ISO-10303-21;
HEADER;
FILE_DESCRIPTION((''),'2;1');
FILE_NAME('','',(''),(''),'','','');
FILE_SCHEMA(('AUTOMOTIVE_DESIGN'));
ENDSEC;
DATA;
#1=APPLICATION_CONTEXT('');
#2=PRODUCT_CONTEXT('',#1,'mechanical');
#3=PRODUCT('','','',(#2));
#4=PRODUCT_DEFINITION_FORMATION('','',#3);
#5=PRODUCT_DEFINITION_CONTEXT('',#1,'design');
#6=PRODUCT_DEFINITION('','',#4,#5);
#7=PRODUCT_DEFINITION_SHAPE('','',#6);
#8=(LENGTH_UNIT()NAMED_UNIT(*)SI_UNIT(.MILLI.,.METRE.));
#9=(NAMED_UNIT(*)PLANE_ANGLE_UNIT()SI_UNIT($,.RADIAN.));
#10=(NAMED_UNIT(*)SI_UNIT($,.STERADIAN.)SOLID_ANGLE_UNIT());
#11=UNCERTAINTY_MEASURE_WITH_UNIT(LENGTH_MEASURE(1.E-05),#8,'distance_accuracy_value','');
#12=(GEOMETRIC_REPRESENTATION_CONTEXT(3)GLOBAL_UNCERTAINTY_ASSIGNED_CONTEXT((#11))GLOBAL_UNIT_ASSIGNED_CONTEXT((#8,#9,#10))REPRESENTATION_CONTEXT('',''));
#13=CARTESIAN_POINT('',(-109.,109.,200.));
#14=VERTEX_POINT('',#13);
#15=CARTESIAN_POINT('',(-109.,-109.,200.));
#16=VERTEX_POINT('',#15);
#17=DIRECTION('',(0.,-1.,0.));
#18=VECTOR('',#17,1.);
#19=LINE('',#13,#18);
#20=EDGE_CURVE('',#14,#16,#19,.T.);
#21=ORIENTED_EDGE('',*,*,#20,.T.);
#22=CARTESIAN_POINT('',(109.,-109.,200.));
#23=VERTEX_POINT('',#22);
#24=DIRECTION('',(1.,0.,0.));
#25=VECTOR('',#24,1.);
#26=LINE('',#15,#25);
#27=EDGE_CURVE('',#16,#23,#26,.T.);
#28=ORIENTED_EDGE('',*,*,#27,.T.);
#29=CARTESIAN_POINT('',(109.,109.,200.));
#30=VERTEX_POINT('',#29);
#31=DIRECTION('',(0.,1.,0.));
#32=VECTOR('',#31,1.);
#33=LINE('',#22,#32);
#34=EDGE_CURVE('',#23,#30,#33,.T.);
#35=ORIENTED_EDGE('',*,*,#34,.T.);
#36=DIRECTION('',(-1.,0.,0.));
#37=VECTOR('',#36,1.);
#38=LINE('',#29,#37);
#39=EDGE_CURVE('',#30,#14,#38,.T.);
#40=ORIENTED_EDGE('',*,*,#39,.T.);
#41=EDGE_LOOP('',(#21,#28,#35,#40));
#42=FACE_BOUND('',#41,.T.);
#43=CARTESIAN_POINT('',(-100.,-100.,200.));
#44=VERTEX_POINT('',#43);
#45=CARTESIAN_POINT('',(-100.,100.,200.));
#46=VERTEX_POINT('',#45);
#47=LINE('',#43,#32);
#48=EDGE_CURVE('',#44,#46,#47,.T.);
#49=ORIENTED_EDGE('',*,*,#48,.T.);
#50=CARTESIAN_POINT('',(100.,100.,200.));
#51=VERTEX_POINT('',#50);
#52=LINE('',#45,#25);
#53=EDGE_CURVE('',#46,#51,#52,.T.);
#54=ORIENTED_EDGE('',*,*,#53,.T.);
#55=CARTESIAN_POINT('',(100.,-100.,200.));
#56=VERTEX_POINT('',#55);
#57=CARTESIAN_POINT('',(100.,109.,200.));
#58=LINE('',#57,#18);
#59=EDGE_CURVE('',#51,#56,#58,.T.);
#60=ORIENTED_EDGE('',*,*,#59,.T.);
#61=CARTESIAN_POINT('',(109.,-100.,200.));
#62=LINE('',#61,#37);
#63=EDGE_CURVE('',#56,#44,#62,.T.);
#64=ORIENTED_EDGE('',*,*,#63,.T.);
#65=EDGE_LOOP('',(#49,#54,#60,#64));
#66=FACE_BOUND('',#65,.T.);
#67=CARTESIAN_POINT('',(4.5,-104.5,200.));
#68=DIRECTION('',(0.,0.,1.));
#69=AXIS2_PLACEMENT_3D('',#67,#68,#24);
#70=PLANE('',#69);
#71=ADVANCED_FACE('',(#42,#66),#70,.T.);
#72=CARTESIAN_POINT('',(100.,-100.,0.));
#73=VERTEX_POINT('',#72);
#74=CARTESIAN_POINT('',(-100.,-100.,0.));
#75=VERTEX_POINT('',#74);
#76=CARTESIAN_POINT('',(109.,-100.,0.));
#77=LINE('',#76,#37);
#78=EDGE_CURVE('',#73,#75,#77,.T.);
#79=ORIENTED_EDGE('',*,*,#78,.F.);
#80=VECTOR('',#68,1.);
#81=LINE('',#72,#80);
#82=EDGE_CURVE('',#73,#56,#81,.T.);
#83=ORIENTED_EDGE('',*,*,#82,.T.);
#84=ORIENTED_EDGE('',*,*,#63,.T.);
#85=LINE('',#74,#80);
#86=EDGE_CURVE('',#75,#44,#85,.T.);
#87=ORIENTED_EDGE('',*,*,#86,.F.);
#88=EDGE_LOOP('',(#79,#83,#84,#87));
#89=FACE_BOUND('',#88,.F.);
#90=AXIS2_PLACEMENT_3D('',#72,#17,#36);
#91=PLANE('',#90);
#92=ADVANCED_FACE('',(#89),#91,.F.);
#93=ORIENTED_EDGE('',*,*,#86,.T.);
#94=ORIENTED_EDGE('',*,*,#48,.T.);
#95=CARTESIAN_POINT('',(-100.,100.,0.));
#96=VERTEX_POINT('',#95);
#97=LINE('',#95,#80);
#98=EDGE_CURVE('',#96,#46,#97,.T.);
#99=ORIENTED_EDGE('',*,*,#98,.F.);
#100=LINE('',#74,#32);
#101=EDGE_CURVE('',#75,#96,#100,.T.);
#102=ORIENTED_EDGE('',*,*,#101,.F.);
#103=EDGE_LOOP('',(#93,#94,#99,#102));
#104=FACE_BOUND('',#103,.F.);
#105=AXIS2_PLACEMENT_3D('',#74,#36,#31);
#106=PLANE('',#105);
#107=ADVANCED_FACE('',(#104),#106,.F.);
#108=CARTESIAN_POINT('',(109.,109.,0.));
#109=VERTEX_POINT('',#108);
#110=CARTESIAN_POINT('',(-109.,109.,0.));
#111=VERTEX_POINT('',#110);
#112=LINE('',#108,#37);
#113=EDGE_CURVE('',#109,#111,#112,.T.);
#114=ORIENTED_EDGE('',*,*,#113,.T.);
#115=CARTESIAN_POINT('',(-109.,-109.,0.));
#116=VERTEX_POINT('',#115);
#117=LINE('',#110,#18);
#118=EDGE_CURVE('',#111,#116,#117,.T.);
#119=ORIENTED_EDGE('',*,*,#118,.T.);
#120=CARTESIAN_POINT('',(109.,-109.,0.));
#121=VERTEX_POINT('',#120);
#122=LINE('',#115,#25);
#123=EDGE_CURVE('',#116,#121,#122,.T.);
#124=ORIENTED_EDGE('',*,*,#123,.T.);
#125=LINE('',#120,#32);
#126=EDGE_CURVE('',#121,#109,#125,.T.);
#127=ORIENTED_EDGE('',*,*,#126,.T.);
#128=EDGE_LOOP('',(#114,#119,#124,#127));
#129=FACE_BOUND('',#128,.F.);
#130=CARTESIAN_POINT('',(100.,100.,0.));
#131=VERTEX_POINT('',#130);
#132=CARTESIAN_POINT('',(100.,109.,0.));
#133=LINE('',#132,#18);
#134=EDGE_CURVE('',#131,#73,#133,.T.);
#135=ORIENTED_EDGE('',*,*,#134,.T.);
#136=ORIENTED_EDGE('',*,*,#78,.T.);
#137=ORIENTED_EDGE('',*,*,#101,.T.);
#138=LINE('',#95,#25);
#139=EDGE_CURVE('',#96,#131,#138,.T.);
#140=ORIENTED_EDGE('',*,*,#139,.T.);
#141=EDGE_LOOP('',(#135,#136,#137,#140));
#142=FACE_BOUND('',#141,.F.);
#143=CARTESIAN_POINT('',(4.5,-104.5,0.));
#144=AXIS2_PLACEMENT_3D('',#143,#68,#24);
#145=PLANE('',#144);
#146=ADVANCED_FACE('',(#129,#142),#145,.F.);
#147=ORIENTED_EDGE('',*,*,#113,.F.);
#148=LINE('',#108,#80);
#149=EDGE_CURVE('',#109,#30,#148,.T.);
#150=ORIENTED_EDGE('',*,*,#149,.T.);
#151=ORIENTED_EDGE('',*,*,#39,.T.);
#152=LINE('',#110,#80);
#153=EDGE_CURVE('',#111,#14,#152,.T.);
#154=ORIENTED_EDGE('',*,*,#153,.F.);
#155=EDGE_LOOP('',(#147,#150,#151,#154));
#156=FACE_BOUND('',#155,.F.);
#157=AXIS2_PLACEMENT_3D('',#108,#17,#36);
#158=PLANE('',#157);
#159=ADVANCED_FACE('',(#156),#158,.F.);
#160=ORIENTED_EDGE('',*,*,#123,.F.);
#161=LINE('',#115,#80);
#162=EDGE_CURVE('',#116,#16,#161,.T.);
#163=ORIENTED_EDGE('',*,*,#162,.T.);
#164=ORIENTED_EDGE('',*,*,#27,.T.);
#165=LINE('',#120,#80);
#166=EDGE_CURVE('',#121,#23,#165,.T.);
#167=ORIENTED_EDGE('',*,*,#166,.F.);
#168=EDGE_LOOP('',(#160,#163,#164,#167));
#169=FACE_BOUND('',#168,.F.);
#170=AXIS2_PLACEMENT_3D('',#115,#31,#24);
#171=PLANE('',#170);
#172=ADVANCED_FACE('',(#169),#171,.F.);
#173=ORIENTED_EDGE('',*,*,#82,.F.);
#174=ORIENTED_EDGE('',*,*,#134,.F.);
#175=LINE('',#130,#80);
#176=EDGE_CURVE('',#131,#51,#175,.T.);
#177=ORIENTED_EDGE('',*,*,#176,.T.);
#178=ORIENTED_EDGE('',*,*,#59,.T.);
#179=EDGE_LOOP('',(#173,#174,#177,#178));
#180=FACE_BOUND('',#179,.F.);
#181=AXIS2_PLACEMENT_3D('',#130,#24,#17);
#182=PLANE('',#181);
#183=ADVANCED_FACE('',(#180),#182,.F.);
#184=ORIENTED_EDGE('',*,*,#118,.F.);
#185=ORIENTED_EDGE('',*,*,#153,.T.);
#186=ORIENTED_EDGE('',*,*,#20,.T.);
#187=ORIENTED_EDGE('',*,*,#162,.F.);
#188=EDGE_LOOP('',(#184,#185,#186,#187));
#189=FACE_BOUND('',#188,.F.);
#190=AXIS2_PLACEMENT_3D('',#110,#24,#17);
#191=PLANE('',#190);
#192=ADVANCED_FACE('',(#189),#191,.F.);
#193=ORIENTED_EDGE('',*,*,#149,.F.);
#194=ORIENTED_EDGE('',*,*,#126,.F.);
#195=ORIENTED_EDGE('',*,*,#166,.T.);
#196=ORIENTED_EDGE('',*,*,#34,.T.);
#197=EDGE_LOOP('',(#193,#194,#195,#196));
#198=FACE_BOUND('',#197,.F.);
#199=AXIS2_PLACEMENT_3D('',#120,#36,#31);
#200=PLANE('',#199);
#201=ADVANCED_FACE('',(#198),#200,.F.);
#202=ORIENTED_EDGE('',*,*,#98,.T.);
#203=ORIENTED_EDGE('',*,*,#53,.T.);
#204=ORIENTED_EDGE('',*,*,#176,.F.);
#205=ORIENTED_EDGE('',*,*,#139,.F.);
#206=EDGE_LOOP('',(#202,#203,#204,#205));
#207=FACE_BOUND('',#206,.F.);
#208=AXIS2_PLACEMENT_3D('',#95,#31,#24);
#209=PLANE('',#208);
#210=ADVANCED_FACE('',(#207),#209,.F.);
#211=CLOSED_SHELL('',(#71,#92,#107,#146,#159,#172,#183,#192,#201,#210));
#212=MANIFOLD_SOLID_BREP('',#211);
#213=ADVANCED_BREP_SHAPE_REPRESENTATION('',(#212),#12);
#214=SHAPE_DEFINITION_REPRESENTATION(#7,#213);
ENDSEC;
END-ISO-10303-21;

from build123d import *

# Parameters (mm, degrees)
F1_DEPTH = 200


with BuildPart() as f1:
    # F0 (on Top) → F1 (new body)
    with BuildSketch(Plane.XY):
        Polygon((-100, -109), (109, -109), (109, -100), (100, -100), (-100, -100), align=None)
        Polygon((-109, -109), (-100, -109), (-100, -100), (-100, 100), (-109, 100), align=None)
        Polygon((100, -100), (109, -100), (109, 109), (100, 109), (100, 100), align=None)
        Polygon((-109, 109), (-109, 100), (-100, 100), (100, 100), (100, 109), align=None)
    extrude(amount=F1_DEPTH)


solid = f1.part
